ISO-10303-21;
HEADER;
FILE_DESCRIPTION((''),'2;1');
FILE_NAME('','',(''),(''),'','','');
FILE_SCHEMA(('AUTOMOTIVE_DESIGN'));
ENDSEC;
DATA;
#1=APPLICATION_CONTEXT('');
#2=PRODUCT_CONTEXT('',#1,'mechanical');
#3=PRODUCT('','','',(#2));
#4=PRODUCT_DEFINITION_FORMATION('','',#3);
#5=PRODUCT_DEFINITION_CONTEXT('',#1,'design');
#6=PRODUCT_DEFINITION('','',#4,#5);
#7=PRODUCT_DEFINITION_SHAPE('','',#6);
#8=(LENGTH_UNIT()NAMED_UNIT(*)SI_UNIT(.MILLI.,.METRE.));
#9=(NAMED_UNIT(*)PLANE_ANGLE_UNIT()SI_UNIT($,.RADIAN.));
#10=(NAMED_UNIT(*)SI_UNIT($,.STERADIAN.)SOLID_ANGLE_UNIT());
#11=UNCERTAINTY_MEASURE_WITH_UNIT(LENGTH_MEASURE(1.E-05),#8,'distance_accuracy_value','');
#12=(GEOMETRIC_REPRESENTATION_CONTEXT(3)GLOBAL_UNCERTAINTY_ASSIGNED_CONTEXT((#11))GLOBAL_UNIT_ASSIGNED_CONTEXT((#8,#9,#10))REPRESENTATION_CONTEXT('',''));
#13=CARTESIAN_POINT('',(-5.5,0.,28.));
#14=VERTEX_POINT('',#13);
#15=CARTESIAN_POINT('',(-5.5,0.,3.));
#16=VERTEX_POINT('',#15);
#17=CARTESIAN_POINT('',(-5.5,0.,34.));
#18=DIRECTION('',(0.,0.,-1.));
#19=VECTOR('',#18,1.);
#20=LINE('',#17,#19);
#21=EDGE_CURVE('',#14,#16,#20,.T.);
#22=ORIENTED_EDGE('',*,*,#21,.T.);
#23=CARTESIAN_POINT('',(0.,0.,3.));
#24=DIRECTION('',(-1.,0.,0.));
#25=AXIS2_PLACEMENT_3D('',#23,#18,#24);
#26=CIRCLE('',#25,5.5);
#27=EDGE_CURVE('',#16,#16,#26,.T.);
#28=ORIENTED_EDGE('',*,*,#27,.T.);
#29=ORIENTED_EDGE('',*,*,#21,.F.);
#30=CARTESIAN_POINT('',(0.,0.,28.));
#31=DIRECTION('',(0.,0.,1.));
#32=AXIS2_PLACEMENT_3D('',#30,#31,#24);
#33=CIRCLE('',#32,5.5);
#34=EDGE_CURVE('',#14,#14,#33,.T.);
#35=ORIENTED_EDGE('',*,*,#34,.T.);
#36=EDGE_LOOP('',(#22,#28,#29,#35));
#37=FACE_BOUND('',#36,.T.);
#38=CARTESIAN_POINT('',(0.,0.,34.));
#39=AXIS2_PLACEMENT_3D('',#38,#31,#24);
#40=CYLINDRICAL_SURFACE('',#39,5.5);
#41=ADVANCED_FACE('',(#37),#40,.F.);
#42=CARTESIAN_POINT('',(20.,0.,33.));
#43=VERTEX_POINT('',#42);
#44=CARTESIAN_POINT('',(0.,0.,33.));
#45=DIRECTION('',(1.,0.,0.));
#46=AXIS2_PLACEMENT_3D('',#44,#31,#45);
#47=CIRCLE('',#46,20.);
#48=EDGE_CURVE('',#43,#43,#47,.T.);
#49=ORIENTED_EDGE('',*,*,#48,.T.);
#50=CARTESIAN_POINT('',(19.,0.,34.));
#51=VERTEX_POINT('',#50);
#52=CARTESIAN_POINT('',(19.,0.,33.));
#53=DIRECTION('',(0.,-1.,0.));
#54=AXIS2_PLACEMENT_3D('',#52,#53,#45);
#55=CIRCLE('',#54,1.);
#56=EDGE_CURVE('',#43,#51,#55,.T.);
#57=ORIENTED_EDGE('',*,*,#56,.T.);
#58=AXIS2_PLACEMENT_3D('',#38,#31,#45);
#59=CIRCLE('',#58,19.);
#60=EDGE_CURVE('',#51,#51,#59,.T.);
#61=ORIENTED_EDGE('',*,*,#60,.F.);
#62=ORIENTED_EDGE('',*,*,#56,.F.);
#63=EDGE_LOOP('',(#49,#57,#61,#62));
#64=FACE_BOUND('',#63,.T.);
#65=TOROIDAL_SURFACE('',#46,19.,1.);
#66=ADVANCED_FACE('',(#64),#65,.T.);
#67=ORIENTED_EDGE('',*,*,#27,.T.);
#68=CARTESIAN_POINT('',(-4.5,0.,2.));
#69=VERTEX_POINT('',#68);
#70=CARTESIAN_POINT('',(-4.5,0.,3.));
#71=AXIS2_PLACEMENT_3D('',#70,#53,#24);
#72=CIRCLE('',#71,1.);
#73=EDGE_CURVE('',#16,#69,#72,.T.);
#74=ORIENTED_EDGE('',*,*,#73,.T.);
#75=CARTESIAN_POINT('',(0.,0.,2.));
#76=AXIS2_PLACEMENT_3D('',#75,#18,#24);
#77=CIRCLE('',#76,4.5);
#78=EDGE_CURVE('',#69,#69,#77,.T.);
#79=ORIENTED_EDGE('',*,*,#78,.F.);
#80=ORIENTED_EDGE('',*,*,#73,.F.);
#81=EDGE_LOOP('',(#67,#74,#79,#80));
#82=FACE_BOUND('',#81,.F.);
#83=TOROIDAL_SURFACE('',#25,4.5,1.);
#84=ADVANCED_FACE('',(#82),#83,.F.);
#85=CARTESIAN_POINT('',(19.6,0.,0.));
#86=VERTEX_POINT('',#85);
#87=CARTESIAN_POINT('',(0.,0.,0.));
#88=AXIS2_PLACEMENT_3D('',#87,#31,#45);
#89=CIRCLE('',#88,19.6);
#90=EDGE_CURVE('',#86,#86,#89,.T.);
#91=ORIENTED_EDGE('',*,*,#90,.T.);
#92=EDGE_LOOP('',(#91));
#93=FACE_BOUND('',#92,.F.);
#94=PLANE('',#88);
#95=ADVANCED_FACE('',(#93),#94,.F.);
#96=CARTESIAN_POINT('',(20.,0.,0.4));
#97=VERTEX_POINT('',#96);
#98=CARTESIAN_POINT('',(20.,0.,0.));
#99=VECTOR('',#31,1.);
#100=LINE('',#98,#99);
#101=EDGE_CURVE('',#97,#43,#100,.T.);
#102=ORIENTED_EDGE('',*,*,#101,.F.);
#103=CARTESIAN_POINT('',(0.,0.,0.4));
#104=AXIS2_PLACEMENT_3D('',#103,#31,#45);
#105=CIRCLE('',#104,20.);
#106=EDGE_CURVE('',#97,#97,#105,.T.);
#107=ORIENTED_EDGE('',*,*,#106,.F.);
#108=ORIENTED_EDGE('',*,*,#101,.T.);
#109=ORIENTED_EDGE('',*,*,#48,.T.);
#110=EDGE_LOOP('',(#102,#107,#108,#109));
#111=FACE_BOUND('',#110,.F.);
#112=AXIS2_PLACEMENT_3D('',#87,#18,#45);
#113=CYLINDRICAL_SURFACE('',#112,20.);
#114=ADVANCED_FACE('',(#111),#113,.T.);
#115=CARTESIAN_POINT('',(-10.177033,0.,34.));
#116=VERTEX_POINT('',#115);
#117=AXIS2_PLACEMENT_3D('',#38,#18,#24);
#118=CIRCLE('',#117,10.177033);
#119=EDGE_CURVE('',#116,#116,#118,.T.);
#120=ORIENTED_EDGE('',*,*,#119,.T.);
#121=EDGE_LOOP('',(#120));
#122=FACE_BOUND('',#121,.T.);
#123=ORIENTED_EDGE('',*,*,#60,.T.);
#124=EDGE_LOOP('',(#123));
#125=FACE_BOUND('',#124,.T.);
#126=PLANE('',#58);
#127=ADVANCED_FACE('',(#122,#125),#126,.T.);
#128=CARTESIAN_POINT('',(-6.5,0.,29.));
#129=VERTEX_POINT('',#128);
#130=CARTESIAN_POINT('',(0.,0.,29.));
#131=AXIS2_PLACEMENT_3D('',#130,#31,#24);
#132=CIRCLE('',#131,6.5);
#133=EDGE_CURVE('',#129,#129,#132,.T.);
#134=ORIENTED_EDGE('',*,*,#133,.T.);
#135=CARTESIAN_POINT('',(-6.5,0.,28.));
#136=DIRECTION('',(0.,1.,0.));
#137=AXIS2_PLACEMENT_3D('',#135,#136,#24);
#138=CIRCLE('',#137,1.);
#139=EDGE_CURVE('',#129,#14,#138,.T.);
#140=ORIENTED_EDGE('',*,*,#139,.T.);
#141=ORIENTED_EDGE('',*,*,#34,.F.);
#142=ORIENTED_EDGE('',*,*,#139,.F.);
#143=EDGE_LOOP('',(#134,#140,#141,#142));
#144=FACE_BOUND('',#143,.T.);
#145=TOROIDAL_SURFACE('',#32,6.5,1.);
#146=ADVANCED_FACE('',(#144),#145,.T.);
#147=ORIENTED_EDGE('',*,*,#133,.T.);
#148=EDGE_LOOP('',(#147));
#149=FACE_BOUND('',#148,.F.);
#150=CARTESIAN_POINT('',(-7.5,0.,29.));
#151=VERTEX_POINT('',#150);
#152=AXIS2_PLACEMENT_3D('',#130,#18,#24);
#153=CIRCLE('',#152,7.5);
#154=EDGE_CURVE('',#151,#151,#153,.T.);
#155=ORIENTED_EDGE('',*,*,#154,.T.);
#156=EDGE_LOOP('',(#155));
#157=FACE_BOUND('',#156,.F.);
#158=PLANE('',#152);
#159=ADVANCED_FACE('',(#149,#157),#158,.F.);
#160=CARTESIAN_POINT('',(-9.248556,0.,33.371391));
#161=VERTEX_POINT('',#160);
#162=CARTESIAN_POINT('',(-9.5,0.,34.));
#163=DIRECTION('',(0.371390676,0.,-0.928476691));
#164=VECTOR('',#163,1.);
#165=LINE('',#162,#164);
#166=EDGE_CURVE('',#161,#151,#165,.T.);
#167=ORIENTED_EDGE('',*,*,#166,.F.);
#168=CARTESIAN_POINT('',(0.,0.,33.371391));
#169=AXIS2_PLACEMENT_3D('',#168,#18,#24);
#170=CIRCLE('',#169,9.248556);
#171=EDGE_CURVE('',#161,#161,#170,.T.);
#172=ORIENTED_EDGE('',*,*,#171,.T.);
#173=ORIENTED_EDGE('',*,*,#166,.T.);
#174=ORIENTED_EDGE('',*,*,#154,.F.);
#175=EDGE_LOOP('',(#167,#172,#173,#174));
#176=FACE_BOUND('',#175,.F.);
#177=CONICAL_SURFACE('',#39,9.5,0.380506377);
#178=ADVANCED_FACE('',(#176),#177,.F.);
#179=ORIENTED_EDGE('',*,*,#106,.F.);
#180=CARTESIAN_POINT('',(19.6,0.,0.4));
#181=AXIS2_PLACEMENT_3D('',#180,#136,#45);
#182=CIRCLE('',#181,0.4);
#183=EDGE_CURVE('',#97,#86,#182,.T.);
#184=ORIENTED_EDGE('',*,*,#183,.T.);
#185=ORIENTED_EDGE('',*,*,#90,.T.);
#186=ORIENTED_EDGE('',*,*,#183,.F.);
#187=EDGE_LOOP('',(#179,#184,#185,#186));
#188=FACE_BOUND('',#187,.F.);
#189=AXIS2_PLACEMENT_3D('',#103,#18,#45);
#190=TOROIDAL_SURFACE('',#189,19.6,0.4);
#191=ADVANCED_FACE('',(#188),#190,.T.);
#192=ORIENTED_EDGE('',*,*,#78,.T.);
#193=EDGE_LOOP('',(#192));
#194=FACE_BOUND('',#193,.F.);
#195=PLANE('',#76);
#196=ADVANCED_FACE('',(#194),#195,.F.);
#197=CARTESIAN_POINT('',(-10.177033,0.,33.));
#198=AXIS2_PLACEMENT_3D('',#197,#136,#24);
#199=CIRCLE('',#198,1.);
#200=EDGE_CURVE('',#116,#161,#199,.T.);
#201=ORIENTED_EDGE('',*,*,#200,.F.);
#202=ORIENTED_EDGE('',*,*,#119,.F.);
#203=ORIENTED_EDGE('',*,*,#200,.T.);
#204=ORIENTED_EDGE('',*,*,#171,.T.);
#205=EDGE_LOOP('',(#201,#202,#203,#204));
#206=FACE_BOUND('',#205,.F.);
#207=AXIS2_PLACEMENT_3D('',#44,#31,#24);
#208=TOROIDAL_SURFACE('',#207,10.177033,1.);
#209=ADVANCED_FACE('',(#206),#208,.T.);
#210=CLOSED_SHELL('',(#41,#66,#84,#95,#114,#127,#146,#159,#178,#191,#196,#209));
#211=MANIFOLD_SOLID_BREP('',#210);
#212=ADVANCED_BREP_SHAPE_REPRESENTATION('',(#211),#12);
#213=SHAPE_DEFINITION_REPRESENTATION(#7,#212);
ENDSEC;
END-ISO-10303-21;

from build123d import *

# Parameters (mm, degrees)
CYLINDER_R        = 20
CYLINDER_DEPTH    = 34
CYLINDER001_R     = 5.5
CYLINDER001_DEPTH = 32
FILLET_R          = 1
FILLET001_R       = 0.4


with BuildPart() as part:
    # Cylinder → Cylinder (join)
    with BuildSketch(Plane.XY):
        Circle(CYLINDER_R)
    extrude(amount=CYLINDER_DEPTH)

    # Cylinder001 → Cylinder001 (cut)
    with BuildSketch(Plane(origin=(0, 0, 34), x_dir=(-1, 0, 0), z_dir=(0, 0, -1))):
        Circle(CYLINDER001_R)
    extrude(amount=CYLINDER001_DEPTH, mode=Mode.SUBTRACT)

    # Cone → Cone (revolve, cut)
    with BuildSketch(Plane(origin=(0, 0, 34), x_dir=(-1, 0, 0), z_dir=(0, -1, 0))):
        Polygon((0, 0), (9.5, 0), (7.5, 5), (0, 5), align=None)
    revolve(axis=Axis((0, 0, 34), (0, 0, -1)), mode=Mode.SUBTRACT)

    # Fillet
    fillet_edges = [part.edges().sort_by_distance(p)[0] for p in [
        (-20, 0, 34),
        (9.5, 0, 34),
        (5.5, 0, 29),
        (5.5, 0, 2),
    ]]
    fillet(fillet_edges, radius=FILLET_R)

    # Fillet001
    fillet001_edges = [part.edges().sort_by_distance(p)[0] for p in [
        (-20, 0, 0),
    ]]
    fillet(fillet001_edges, radius=FILLET001_R)


solid = part.part
